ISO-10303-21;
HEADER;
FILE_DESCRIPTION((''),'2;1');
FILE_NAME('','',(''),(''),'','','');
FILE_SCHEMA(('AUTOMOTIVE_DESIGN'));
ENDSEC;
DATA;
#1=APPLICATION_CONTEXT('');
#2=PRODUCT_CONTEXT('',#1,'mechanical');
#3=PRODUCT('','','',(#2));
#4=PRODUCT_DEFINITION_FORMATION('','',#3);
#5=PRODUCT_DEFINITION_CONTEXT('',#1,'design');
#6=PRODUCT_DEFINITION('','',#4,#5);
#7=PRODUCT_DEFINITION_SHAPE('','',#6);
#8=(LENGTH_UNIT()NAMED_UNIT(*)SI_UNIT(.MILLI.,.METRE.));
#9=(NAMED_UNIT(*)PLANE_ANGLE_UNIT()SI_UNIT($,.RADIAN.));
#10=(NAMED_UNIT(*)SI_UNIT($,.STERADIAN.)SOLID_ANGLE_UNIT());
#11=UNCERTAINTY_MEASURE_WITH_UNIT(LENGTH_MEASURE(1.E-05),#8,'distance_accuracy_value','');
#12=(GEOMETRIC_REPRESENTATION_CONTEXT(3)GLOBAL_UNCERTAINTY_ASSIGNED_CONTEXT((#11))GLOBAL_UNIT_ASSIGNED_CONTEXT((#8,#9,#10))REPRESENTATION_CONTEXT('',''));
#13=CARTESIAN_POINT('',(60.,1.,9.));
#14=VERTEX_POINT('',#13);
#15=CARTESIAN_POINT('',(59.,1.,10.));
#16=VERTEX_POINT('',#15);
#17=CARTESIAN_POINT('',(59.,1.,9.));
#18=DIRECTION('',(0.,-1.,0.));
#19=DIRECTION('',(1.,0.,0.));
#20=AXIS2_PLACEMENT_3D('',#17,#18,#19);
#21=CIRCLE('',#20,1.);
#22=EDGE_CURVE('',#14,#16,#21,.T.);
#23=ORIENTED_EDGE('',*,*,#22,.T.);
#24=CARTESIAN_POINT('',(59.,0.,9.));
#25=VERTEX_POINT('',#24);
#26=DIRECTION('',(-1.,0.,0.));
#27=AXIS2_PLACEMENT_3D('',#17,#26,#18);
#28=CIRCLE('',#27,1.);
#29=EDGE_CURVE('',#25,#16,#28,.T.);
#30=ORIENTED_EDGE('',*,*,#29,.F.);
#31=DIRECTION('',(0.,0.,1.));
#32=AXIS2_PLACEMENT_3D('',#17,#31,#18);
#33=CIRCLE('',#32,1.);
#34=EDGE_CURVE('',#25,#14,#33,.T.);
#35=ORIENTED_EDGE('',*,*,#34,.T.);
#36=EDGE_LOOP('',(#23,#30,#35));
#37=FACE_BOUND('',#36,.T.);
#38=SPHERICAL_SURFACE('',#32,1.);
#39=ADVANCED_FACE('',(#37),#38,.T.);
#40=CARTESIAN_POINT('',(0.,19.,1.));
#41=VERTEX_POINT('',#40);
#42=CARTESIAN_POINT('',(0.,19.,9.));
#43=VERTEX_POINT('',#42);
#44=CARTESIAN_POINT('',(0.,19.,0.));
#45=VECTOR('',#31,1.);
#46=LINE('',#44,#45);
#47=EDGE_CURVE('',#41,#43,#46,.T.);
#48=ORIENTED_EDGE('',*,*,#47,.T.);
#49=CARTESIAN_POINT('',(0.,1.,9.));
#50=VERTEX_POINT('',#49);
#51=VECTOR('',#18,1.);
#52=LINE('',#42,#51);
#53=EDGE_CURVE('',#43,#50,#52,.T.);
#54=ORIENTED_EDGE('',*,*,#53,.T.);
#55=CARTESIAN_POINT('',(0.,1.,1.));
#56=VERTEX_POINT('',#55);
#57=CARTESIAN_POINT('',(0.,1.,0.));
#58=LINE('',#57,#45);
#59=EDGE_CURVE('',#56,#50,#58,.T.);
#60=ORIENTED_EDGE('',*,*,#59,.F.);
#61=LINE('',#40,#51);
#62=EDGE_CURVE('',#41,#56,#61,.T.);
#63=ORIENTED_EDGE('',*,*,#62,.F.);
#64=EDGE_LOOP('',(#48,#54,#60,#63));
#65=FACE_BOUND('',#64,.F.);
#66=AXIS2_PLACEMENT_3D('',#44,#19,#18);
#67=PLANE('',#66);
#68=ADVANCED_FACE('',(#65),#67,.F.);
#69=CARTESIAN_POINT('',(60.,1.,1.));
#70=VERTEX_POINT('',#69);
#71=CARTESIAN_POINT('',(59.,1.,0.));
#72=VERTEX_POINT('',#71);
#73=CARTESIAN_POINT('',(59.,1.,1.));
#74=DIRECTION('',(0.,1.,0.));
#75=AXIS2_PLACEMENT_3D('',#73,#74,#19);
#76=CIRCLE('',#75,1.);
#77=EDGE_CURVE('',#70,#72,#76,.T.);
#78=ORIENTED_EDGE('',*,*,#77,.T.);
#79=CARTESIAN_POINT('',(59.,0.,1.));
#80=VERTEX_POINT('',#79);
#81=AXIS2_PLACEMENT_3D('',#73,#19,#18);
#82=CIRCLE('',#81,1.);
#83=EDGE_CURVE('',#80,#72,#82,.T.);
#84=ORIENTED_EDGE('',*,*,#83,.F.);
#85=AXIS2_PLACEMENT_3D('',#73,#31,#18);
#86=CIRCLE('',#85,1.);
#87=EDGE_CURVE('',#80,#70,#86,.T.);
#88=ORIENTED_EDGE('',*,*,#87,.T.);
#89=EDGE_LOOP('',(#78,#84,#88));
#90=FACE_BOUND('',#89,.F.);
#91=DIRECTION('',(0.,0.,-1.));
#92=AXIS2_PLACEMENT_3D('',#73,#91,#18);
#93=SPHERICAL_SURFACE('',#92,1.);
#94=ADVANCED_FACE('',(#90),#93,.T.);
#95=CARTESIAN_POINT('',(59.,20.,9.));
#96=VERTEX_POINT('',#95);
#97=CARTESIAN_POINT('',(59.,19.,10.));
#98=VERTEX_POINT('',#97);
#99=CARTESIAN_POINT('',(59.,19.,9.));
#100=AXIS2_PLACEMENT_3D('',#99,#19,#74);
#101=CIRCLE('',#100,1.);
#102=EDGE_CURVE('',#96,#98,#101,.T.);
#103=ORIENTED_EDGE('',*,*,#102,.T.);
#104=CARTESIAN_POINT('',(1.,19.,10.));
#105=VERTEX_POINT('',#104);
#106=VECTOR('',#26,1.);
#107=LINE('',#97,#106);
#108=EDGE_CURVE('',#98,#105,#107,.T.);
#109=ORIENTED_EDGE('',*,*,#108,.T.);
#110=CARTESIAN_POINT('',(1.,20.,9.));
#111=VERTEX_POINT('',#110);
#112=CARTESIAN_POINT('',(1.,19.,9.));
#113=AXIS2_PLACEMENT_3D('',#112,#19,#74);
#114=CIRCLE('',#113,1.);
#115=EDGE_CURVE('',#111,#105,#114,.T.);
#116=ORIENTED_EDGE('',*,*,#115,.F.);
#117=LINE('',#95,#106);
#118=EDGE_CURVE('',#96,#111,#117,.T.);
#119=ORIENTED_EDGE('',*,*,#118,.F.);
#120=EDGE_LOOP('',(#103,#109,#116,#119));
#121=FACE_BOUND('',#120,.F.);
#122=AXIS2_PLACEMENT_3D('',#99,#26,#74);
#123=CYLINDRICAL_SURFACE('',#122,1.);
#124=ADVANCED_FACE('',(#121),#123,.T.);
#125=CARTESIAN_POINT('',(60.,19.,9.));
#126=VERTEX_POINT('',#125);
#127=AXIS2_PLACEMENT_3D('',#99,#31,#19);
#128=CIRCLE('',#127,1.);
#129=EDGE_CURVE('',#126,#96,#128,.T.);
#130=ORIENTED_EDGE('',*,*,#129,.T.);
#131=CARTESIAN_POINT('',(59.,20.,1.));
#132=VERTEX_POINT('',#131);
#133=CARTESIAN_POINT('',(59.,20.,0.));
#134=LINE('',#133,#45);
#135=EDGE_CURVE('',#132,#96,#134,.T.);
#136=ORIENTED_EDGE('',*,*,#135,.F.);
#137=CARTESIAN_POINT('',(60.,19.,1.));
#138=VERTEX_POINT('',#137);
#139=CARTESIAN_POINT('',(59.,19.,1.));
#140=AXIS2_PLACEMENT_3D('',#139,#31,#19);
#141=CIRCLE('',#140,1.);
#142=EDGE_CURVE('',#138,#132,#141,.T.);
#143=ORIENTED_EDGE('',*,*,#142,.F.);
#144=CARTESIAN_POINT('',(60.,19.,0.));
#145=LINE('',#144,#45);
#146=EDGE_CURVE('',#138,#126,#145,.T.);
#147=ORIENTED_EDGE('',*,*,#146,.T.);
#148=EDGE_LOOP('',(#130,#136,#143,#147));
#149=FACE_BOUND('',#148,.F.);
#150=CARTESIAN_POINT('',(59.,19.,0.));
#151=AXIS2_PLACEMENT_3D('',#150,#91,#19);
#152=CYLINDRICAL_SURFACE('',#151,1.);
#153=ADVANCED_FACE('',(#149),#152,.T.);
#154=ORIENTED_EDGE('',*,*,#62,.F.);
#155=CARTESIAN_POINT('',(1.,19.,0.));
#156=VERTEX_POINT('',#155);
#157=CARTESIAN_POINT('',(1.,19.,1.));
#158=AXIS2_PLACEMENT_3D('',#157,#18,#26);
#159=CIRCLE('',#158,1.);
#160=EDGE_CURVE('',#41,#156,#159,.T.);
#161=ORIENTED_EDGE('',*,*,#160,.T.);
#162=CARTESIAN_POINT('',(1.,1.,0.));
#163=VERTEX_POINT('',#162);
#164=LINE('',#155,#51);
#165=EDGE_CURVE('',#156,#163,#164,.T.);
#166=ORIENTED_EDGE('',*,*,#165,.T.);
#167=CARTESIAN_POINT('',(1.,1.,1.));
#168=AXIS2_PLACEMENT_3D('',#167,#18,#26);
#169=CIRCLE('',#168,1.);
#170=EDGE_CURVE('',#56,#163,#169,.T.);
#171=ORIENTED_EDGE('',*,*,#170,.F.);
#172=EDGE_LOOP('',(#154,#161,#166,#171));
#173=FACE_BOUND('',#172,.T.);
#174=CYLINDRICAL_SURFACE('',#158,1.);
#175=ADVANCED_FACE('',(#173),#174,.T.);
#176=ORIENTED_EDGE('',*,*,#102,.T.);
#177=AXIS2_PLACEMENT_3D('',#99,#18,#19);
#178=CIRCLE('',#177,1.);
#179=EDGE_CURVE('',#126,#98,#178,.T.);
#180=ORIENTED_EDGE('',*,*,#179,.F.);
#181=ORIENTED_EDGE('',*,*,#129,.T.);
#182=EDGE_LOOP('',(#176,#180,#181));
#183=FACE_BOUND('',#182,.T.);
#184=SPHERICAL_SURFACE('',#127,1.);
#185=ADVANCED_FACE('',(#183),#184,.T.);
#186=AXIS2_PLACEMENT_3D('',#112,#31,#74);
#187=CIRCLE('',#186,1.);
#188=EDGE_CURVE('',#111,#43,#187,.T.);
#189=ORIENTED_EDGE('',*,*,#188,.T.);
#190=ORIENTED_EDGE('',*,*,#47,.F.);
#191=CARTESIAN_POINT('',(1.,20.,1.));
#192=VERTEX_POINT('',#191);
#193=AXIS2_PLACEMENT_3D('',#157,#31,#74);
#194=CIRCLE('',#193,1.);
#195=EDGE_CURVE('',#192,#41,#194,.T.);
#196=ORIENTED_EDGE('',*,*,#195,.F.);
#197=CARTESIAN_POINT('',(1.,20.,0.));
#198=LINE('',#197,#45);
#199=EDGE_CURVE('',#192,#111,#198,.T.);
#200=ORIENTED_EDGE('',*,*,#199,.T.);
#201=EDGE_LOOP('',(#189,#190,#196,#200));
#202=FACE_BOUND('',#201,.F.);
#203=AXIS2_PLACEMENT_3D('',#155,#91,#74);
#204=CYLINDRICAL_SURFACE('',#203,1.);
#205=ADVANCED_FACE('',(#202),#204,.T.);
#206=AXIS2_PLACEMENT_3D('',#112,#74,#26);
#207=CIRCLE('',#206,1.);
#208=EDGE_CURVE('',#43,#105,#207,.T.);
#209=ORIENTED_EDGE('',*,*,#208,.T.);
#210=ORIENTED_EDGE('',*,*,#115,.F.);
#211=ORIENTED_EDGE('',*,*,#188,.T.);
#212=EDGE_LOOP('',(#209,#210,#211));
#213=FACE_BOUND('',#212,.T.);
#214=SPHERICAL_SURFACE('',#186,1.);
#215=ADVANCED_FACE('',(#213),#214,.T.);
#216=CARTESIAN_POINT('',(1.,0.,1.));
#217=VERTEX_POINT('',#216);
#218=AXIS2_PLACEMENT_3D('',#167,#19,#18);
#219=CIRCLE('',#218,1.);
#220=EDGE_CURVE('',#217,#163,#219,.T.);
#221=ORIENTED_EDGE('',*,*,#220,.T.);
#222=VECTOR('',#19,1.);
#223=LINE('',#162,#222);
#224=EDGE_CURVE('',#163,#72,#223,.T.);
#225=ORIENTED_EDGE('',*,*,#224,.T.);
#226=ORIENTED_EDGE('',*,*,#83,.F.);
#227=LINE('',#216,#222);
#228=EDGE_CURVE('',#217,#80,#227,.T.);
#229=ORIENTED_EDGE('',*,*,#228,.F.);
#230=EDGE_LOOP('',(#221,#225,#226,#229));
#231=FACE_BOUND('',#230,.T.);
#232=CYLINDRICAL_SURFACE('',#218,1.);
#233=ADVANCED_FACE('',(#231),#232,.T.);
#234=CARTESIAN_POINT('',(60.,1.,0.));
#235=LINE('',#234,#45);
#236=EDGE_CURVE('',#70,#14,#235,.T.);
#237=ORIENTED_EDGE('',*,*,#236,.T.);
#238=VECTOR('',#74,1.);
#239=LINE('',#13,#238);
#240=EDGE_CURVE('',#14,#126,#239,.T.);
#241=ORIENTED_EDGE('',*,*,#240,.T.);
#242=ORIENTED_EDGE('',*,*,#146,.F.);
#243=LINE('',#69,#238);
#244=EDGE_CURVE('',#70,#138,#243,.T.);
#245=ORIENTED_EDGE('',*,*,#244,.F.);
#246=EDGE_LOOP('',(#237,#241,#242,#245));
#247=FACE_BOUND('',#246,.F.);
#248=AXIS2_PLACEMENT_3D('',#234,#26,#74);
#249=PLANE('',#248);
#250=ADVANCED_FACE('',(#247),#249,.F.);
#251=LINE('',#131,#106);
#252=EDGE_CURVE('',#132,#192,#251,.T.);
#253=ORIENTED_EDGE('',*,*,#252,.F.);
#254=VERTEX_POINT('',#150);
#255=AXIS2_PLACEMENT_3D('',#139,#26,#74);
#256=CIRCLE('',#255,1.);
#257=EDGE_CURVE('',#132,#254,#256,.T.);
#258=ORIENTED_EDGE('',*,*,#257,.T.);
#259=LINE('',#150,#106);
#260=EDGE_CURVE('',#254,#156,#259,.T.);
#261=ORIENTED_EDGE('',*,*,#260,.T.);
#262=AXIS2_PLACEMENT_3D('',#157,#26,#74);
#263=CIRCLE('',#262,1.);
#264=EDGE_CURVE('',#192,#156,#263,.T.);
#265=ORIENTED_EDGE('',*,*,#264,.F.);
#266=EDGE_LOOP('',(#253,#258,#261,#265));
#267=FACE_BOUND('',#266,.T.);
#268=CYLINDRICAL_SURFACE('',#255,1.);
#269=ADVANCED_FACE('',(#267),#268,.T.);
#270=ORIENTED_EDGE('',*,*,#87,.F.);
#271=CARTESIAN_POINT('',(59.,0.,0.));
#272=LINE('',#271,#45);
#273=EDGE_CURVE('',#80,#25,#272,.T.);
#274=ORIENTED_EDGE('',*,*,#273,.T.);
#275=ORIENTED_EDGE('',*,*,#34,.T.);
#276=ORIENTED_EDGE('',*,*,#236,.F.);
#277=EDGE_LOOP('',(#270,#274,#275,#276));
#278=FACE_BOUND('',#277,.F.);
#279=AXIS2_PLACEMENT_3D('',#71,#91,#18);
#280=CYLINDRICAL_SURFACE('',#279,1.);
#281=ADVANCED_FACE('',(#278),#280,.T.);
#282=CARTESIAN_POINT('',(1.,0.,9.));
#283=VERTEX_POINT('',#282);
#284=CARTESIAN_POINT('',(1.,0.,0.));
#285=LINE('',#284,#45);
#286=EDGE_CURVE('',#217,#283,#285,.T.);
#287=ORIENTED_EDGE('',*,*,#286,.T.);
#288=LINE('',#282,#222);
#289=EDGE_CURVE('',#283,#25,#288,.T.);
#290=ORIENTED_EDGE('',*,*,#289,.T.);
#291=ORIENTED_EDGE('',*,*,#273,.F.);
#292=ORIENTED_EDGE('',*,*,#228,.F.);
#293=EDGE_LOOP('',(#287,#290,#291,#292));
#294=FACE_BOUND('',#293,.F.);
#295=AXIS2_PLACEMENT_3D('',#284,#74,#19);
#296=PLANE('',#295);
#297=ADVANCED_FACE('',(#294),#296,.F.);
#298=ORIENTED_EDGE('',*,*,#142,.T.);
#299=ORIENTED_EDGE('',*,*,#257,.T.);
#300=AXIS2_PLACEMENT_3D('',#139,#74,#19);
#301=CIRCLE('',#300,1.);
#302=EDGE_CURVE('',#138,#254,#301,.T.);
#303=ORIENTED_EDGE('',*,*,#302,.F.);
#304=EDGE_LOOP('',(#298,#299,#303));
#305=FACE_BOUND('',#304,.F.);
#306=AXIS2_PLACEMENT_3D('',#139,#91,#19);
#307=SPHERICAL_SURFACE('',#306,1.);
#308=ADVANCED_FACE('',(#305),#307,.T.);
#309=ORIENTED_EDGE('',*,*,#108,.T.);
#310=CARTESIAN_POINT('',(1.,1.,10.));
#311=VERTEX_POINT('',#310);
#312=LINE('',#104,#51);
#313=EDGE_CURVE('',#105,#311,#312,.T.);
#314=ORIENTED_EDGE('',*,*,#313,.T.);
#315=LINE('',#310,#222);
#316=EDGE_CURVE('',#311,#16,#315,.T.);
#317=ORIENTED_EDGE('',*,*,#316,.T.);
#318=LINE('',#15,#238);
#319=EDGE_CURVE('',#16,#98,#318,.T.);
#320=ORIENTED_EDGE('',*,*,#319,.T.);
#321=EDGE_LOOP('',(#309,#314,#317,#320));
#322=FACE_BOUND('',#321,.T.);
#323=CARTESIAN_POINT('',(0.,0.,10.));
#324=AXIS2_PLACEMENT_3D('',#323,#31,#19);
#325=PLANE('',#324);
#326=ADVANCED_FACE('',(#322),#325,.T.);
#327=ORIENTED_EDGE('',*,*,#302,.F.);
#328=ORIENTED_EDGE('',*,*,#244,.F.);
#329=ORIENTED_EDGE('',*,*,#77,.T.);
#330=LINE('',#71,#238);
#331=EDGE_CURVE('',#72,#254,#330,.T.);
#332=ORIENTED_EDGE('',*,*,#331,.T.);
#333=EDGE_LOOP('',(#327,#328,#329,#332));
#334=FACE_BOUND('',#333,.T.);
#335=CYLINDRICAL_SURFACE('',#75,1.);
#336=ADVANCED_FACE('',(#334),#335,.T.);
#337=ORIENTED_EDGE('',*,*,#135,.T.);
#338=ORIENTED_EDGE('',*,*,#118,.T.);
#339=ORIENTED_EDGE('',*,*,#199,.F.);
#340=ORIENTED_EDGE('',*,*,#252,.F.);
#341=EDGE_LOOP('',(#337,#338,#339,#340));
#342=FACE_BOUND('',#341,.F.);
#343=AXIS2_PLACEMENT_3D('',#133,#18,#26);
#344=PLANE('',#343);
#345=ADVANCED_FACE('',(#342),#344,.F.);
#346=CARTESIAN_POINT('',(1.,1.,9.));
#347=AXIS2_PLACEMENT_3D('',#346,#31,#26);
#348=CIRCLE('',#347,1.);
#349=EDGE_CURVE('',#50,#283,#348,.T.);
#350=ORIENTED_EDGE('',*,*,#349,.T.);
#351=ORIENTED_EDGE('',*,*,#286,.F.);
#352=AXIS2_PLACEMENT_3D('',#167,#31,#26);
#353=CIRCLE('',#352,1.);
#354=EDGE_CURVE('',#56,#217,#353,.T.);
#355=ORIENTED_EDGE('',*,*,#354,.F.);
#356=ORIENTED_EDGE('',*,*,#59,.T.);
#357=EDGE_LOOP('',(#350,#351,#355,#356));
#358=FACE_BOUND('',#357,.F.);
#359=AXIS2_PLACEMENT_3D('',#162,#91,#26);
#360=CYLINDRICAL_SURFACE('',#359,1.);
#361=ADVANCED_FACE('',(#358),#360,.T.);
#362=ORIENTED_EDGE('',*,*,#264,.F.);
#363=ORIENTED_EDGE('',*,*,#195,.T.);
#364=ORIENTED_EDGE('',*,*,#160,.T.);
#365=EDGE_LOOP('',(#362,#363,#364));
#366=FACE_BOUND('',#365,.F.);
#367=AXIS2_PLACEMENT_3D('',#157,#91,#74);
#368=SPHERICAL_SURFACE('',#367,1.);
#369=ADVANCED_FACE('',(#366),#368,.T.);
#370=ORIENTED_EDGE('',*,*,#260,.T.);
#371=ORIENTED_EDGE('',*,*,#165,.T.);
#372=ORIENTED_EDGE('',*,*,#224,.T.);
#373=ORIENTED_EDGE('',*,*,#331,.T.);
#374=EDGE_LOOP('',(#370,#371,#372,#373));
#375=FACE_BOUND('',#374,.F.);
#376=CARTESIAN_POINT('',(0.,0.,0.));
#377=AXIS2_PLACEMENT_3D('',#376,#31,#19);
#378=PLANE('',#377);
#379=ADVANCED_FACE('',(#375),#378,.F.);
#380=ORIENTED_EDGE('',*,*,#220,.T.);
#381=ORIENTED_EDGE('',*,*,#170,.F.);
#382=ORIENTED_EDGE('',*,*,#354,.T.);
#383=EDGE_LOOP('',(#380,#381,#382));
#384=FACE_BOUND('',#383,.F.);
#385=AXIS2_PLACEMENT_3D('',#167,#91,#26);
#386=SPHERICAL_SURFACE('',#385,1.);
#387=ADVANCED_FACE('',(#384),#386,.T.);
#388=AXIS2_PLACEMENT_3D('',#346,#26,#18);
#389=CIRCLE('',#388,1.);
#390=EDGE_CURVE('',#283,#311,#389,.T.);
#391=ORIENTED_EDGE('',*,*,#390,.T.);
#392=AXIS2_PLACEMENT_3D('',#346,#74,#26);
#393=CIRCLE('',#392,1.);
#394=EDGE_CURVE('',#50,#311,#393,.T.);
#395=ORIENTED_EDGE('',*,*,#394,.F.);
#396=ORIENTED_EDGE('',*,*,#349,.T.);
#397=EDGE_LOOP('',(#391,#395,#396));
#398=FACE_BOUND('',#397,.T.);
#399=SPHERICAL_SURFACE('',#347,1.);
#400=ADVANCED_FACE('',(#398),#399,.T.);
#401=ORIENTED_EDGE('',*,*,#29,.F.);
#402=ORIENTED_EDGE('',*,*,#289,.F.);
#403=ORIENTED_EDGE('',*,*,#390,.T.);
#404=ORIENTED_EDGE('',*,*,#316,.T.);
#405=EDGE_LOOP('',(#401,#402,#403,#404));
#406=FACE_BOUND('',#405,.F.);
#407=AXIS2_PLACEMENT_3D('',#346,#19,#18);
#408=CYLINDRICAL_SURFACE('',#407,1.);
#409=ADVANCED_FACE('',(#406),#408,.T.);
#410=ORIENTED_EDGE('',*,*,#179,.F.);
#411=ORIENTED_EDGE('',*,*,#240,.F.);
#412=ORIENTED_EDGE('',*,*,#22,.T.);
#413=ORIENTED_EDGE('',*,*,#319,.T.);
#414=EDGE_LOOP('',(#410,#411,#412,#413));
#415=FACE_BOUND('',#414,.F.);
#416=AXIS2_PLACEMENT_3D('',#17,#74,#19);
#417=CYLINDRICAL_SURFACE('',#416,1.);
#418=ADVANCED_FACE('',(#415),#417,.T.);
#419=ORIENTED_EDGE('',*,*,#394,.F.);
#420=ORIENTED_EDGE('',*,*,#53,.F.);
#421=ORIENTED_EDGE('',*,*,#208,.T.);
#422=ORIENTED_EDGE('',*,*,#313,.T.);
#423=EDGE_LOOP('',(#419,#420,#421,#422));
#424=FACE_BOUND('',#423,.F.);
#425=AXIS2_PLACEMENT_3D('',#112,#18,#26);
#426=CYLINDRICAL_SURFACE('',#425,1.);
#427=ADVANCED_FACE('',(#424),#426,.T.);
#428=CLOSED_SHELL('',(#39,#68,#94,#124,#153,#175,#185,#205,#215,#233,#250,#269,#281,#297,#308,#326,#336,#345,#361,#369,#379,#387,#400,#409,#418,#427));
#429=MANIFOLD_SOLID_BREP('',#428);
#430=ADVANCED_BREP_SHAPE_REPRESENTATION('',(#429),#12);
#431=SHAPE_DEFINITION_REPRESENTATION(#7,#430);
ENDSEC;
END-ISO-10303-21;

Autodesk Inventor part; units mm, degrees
ref_plane "YZ Plane" through (0, 0, 0) normal (1, 0, 0) x (0, 1, 0)
ref_plane "XZ Plane" through (0, 0, 0) normal (0, 1, 0) x (-1, 0, 0)
ref_plane "XY Plane" through (0, 0, 0) normal (0, 0, 1) x (1, 0, 0)
sketch "Эскиз1" plane through (0, 0, 0) normal (0, 0, 1) x (1, 0, 0)
  line L0 (1, 0) -> (59, 0)
  line L1 (60, 1) -> (60, 19)
  line L2 (59, 20) -> (1, 20)
  line L3 (0, 19) -> (0, 1)
  arc A0 (1, 20) -> (0, 19) centre (1, 19) ccw
  arc A1 (59, 0) -> (60, 1) centre (59, 1) ccw
  arc A2 (60, 19) -> (59, 20) centre (59, 19) ccw
  arc A3 (0, 1) -> (1, 0) centre (1, 1) ccw
  point P0 (0, 0)
  point P1 (60, 20)
  point P2 (60, 0)
  point P3 (0, 20)
  dimension "d0" = 60
  dimension "d1" = 20
  dimension "d2" = 1
  dimension "d3" = 1
extrude "Выдавливание1" add sketch "Эскиз1" along normal blind 10
fillet "Сопряжение1" radius 1 16 edges at (0.2929, 19.7071, 10) (0, 10, 10) (0.2929, 0.2929, 10) (30, 0, 10) (59.7071, 0.2929, 10) (60, 10, 10) (59.7071, 19.7071, 10) (30, 20, 10) (59.7071, 19.7071, 0) (30, 20, 0) (0.2929, 19.7071, 0) (0, 10, 0) (0.2929, 0.2929, 0) (30, 0, 0) (59.7071, 0.2929, 0) (60, 10, 0)
properties part number "NS"
